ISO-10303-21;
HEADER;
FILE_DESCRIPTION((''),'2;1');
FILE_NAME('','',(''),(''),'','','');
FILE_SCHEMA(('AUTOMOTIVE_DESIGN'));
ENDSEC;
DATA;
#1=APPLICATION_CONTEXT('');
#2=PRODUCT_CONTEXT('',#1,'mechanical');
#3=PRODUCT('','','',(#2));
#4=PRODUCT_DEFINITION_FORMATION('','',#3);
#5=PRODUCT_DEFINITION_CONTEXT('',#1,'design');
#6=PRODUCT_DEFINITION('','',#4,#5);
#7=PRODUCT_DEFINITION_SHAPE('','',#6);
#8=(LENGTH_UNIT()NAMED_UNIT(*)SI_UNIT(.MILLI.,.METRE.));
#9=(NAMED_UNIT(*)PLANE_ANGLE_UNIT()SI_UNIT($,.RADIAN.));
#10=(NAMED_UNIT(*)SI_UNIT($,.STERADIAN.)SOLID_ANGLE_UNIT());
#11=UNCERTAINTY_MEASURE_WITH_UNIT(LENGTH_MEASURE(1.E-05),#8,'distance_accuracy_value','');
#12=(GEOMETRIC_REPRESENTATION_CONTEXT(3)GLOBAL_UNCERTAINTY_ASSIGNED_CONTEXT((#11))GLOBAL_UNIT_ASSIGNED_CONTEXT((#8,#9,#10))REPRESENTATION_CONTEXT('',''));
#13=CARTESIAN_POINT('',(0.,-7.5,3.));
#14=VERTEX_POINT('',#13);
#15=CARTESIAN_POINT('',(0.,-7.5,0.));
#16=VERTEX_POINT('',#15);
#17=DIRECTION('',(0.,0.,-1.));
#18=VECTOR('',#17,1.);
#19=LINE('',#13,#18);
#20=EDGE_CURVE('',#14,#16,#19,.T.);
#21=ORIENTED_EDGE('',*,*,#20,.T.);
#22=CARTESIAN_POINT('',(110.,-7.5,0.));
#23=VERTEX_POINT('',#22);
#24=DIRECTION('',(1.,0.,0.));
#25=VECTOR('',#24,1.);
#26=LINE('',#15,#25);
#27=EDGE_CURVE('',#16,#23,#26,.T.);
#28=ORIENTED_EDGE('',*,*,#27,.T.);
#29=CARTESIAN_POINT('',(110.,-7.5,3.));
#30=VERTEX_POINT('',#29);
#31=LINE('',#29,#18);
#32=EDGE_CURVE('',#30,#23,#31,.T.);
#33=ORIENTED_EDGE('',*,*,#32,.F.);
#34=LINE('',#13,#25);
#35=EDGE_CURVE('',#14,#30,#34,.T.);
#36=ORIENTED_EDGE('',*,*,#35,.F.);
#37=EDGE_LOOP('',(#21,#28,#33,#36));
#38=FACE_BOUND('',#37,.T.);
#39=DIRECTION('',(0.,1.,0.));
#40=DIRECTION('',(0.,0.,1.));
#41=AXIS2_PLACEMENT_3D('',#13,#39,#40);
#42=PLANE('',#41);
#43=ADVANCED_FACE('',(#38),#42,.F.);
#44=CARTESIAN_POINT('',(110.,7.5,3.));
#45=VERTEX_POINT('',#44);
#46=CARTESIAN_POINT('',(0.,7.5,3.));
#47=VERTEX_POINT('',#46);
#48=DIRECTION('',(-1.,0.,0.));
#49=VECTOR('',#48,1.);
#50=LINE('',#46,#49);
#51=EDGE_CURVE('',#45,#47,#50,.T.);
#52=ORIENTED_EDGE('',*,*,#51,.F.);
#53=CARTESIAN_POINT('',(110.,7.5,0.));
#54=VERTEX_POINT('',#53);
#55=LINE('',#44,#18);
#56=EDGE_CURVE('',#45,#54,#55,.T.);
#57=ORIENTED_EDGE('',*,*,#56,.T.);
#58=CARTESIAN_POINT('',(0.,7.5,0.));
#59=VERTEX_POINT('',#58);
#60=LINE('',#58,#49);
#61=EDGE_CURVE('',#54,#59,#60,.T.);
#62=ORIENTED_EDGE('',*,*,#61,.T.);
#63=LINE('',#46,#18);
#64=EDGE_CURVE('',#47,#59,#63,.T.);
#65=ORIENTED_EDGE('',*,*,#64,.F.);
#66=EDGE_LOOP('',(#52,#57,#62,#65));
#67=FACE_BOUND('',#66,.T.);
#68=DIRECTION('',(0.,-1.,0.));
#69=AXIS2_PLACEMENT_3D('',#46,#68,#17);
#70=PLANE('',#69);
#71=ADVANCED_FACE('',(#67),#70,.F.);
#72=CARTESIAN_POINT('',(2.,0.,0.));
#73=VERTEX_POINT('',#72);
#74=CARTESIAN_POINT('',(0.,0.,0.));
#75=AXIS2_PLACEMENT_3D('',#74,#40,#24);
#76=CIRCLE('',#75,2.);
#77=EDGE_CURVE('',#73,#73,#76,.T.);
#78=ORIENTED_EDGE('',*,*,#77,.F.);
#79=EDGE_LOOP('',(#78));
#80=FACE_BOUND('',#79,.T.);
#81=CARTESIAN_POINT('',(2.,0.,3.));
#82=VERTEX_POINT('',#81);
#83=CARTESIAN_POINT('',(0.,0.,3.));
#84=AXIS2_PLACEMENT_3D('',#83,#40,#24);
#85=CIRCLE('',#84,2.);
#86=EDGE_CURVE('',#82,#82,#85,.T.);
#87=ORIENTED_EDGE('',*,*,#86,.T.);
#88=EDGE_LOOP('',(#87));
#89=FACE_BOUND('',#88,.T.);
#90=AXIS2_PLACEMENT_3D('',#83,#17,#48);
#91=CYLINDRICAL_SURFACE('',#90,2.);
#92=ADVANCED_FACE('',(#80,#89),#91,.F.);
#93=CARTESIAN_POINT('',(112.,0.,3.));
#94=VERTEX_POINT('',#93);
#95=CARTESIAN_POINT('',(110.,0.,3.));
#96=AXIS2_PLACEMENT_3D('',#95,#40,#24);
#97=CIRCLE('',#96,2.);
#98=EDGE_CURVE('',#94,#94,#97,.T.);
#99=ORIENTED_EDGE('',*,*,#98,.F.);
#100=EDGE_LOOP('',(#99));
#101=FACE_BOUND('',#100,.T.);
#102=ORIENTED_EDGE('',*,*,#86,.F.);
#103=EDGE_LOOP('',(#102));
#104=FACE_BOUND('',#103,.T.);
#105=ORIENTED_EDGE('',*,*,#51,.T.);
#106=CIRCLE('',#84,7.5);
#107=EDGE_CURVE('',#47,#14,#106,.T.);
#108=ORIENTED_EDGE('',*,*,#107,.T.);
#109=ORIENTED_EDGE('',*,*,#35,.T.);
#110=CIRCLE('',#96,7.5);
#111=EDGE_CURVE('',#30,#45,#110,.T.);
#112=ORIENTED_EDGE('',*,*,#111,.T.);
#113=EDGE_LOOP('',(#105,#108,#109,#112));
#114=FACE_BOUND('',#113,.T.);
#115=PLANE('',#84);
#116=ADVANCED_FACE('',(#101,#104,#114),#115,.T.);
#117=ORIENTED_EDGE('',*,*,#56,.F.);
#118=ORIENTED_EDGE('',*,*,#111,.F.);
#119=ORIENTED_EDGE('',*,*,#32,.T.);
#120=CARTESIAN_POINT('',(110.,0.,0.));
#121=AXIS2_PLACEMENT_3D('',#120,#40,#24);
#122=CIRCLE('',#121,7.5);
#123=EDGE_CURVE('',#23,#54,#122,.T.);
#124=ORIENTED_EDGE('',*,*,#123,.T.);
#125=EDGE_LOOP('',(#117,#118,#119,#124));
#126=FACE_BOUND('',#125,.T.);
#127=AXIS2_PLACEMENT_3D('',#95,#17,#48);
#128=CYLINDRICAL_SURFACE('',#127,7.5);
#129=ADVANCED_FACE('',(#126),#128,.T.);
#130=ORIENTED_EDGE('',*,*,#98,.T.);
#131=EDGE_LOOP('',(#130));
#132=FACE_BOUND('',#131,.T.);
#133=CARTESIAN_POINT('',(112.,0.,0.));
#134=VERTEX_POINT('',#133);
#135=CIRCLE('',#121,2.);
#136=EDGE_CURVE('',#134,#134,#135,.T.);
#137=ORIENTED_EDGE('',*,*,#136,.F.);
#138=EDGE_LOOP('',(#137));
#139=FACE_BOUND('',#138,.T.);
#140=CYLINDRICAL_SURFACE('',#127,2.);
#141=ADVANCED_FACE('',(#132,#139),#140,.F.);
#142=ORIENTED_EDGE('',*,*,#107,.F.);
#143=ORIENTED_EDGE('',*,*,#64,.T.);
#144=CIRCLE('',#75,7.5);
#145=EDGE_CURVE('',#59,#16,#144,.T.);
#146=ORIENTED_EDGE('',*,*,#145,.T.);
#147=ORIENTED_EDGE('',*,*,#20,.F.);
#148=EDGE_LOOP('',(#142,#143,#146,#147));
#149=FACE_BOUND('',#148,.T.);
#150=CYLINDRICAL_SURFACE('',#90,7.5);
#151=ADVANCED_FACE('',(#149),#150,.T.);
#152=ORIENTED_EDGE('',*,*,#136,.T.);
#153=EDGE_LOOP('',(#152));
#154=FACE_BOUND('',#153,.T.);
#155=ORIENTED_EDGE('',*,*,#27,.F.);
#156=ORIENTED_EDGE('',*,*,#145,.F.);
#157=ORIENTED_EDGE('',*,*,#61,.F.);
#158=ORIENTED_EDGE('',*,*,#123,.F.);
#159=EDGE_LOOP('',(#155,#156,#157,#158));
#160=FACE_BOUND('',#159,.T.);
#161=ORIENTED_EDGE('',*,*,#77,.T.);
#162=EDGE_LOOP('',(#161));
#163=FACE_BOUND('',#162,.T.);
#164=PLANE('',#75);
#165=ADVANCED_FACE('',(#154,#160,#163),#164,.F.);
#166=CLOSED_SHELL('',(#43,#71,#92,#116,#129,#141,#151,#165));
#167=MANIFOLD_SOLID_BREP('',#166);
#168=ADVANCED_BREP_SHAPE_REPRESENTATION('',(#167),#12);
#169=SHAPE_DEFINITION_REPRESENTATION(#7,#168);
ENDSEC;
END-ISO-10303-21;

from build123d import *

# Parameters (mm, degrees)
SKETCH1_R           = 2
BOSS_EXTRUDE1_DEPTH = 3


with BuildPart() as part:
    # Sketch1 → Boss-Extrude1 (new body)
    with BuildSketch(Plane.XY):
        with BuildLine():
            Line((0, 7.5), (110, 7.5))
            ThreePointArc((110, 7.5), (117.5, 0), (110, -7.5))
            Line((110, -7.5), (0, -7.5))
            ThreePointArc((0, -7.5), (-7.5, 0), (0, 7.5))
        make_face()
        Circle(SKETCH1_R, mode=Mode.SUBTRACT)
        with Locations((110, 0)):
            Circle(SKETCH1_R, mode=Mode.SUBTRACT)
    extrude(amount=BOSS_EXTRUDE1_DEPTH)


solid = part.part
